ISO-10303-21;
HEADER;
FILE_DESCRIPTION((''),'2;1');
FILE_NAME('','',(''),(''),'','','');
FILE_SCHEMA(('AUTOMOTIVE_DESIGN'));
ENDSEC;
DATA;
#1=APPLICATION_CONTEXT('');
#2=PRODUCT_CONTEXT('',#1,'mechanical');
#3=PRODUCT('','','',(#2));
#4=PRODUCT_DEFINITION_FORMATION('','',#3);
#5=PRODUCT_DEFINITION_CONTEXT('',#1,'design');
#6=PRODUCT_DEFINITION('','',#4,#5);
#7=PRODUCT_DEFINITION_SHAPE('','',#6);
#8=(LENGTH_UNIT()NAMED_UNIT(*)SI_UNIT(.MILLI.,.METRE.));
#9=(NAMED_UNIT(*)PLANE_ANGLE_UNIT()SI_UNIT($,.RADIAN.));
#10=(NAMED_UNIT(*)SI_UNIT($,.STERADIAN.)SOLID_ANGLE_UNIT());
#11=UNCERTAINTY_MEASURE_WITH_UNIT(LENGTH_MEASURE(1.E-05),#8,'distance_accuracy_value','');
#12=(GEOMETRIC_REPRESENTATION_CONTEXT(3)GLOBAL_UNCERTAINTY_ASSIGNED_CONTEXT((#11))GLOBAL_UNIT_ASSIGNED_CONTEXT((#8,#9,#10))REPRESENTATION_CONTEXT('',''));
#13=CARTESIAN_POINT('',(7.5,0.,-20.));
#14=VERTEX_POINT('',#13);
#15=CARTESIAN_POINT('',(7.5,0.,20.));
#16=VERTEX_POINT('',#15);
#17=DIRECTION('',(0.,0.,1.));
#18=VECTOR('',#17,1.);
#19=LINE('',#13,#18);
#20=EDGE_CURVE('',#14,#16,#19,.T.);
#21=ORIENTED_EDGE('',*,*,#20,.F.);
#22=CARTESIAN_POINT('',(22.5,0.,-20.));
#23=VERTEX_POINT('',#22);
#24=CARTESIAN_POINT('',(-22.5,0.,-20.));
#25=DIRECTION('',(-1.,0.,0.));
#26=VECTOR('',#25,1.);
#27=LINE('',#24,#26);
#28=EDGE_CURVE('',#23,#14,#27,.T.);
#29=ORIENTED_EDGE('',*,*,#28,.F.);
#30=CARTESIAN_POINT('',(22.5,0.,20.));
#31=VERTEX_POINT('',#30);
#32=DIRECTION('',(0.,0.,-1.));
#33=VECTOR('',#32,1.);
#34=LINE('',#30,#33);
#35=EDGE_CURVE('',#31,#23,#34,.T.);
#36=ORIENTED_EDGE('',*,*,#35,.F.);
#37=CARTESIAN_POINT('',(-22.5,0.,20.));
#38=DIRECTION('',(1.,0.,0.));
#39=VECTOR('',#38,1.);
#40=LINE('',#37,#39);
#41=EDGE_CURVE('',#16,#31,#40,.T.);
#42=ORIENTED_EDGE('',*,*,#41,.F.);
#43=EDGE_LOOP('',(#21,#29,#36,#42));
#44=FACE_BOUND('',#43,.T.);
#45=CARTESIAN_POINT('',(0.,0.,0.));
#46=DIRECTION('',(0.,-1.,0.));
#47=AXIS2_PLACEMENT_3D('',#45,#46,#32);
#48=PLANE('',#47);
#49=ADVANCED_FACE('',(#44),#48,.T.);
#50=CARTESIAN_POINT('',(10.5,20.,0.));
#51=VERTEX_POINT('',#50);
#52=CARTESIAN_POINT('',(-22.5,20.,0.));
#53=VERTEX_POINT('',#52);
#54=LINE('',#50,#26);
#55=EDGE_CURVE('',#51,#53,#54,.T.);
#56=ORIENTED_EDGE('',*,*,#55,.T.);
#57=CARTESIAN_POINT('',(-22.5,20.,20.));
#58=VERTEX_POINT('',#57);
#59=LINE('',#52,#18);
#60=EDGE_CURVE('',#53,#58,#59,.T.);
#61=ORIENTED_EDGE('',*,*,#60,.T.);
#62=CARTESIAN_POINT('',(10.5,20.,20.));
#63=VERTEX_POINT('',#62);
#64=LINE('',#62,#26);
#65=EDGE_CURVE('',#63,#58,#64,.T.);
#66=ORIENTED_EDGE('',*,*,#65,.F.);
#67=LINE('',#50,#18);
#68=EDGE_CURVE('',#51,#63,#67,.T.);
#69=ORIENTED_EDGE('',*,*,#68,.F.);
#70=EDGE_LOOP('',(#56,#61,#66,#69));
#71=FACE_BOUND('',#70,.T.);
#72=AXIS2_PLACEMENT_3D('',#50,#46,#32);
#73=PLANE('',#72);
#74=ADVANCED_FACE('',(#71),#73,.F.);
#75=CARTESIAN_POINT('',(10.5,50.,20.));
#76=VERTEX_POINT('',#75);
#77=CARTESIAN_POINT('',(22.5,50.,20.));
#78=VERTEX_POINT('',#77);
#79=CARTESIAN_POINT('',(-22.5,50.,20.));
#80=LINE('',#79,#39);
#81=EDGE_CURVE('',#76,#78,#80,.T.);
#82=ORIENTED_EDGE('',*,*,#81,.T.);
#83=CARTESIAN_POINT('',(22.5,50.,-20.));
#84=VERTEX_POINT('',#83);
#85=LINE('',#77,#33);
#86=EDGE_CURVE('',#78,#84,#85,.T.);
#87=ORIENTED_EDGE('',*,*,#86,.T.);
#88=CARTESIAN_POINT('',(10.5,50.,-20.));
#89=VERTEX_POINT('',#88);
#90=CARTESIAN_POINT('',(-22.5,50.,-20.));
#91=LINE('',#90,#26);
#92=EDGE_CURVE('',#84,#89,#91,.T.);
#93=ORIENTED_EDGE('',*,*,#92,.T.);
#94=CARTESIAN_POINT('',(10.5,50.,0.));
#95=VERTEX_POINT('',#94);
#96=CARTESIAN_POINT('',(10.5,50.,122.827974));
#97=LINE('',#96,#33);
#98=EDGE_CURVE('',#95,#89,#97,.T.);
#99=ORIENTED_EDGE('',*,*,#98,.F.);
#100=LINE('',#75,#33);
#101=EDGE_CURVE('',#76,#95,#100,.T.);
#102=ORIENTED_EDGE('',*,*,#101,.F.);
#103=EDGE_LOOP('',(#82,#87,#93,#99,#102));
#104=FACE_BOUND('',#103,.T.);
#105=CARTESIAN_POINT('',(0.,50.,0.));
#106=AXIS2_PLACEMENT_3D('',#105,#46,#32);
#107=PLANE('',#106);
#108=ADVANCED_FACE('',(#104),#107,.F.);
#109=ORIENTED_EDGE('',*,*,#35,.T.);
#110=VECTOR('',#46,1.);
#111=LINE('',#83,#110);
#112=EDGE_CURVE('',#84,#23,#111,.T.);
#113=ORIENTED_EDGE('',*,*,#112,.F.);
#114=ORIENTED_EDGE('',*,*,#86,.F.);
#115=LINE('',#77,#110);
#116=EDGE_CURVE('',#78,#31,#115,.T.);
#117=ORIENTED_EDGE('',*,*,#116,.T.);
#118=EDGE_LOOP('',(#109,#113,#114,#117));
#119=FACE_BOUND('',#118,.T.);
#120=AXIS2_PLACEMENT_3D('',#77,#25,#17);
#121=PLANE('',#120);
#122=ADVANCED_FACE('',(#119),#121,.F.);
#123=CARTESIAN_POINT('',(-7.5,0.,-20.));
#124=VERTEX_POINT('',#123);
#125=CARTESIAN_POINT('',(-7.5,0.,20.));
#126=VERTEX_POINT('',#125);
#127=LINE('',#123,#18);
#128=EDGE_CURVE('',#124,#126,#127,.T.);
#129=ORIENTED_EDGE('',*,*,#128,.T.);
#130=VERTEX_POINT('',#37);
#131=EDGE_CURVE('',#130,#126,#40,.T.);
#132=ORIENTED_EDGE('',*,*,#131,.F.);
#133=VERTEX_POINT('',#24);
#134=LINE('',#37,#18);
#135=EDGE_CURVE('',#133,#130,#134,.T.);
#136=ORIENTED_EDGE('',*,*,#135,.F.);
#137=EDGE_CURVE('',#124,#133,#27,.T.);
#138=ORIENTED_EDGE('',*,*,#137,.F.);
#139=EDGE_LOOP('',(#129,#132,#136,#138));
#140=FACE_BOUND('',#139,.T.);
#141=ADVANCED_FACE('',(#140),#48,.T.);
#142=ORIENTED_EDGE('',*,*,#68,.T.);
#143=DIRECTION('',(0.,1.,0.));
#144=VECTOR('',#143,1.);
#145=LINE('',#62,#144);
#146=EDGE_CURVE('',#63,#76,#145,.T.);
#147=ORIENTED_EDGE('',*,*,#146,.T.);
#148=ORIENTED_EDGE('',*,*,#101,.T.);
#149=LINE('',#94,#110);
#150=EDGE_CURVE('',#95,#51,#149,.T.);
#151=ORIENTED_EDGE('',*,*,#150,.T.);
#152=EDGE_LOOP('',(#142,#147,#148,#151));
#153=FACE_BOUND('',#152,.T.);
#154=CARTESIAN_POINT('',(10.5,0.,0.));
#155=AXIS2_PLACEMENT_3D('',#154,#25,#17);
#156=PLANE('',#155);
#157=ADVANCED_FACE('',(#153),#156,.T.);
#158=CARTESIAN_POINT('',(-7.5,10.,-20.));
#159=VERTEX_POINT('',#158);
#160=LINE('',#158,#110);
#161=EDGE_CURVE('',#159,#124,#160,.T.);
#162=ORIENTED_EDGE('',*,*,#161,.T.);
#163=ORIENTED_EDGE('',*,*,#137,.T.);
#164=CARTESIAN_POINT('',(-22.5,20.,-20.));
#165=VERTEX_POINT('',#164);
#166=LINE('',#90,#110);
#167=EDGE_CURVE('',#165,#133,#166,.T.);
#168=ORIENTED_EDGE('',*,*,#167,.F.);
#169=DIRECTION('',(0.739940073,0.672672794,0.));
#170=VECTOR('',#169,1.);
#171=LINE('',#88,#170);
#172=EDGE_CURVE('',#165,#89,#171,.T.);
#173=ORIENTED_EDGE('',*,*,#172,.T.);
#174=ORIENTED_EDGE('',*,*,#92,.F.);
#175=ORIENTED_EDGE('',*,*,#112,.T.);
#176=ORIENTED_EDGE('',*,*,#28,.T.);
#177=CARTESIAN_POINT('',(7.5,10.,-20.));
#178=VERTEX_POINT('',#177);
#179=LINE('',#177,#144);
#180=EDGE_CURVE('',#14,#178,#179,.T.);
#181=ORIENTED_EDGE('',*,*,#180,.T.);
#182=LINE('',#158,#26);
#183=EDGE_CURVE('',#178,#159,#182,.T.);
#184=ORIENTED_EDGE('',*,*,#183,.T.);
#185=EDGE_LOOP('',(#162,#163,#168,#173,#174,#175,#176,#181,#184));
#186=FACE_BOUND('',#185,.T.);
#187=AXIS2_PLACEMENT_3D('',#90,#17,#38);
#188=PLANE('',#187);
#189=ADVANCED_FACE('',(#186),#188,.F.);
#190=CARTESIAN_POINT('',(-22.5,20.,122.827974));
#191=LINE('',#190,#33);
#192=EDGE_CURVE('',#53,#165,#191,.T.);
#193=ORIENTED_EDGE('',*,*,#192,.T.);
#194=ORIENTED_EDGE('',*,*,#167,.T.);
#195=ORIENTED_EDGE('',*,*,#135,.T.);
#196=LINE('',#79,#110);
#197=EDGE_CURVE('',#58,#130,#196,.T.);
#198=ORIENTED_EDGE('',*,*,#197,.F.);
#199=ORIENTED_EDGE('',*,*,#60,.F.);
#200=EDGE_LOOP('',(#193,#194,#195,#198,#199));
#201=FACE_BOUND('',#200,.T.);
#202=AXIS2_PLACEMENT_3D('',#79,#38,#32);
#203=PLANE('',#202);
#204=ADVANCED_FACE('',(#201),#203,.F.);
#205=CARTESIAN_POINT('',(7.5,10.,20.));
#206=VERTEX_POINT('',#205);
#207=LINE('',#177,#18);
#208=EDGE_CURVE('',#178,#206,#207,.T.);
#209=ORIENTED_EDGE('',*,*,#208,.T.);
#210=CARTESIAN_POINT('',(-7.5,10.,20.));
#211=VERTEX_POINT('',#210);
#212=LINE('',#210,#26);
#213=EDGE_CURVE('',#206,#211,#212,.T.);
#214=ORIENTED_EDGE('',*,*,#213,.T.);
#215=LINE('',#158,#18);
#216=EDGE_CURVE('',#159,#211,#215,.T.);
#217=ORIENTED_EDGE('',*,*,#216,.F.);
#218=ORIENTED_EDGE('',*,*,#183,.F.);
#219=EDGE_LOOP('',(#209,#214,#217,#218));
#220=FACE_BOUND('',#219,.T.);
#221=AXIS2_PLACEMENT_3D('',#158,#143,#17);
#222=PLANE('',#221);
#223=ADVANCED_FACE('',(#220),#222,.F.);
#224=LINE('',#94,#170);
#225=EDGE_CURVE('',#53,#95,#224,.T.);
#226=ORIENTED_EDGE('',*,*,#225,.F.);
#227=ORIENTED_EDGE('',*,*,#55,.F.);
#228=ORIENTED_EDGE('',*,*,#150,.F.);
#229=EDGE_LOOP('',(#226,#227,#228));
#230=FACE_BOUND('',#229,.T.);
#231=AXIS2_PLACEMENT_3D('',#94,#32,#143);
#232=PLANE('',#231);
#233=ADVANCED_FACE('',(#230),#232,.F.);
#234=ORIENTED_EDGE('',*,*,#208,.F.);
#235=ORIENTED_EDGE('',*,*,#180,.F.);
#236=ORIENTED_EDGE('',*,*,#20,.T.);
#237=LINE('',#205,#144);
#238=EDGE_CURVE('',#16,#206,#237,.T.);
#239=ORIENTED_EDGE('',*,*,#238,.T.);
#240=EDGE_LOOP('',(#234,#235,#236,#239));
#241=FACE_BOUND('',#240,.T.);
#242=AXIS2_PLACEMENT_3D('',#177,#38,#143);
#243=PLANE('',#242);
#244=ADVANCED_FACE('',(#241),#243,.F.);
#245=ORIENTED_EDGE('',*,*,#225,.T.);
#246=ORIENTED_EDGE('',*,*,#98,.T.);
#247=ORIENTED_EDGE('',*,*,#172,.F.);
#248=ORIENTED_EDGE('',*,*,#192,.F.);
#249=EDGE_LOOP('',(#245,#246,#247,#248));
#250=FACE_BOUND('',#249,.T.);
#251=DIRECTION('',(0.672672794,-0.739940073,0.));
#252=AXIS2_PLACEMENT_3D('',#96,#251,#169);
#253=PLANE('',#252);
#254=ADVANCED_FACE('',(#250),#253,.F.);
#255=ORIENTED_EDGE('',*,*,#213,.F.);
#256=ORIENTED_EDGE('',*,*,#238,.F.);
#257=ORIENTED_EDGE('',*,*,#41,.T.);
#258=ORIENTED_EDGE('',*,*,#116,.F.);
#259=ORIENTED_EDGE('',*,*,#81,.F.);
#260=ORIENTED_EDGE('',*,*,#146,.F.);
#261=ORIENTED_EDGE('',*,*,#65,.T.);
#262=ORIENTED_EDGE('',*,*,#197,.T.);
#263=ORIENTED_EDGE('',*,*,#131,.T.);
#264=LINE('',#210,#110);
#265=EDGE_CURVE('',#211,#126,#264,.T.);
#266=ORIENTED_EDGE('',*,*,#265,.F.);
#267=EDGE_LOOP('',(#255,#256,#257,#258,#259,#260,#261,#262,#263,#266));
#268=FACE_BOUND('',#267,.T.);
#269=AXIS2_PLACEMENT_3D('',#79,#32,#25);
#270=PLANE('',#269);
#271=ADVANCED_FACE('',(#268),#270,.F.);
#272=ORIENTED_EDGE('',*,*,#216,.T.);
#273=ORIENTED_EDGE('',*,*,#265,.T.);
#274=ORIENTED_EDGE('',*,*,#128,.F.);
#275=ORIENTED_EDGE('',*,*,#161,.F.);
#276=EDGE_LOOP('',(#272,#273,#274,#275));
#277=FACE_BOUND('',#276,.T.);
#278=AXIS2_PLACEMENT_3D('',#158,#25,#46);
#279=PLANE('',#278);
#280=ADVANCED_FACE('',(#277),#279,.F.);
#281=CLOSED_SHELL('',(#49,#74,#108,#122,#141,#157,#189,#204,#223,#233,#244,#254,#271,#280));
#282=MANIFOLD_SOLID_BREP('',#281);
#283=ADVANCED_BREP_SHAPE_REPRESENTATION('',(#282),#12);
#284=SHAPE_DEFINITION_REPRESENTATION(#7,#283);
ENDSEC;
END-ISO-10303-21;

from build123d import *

# Parameters (mm, degrees)
SKETCH1_W                = 45
SKETCH1_H                = 40
BOSS_EXTRUDE1_DEPTH      = 50
SKETCH2_W                = 15
SKETCH2_H                = 10
CUT_EXTRUDE1_DEPTH       = 68.869359802
SKETCH6_W                = 20
SKETCH6_H                = 30
CUT_EXTRUDE15_DEPTH      = 33
CUT_EXTRUDE16_DEPTH      = 59.36308765
CUT_EXTRUDE16_DEPTH_BACK = 20


with BuildPart() as part:
    # Sketch1 → Boss-Extrude1 (new body)
    with BuildSketch(Plane(origin=(0, 0, 0), x_dir=(1, 0, 0), z_dir=(0, 1, 0))):
        Rectangle(SKETCH1_W, SKETCH1_H)
    extrude(amount=BOSS_EXTRUDE1_DEPTH)

    # Sketch2 → Cut-Extrude1 (cut, through all)
    with BuildSketch(Plane.XY.offset(20)):
        with Locations((0, 5)):
            Rectangle(SKETCH2_W, SKETCH2_H)
    extrude(amount=-CUT_EXTRUDE1_DEPTH, mode=Mode.SUBTRACT)

    # Sketch6 → Cut-Extrude15 (cut)
    with BuildSketch(Plane.ZY.offset(22.5)):
        with Locations((10, 35)):
            Rectangle(SKETCH6_W, SKETCH6_H)
    extrude(amount=-CUT_EXTRUDE15_DEPTH, mode=Mode.SUBTRACT)

    # Sketch7 → Cut-Extrude16 (cut, two sides: drawn at the far end of the back side and taken through both)
    with BuildSketch(Plane.XY.offset(-CUT_EXTRUDE16_DEPTH_BACK)):
        Polygon((106.556450077, 137.324045524), (10.5, 50), (-22.5, 20), (-118.556450077, -67.324045524), (-293.204541126, 124.788854629), (-68.091640972, 329.436945678), align=None)
    extrude(amount=CUT_EXTRUDE16_DEPTH + CUT_EXTRUDE16_DEPTH_BACK, mode=Mode.SUBTRACT)


solid = part.part
